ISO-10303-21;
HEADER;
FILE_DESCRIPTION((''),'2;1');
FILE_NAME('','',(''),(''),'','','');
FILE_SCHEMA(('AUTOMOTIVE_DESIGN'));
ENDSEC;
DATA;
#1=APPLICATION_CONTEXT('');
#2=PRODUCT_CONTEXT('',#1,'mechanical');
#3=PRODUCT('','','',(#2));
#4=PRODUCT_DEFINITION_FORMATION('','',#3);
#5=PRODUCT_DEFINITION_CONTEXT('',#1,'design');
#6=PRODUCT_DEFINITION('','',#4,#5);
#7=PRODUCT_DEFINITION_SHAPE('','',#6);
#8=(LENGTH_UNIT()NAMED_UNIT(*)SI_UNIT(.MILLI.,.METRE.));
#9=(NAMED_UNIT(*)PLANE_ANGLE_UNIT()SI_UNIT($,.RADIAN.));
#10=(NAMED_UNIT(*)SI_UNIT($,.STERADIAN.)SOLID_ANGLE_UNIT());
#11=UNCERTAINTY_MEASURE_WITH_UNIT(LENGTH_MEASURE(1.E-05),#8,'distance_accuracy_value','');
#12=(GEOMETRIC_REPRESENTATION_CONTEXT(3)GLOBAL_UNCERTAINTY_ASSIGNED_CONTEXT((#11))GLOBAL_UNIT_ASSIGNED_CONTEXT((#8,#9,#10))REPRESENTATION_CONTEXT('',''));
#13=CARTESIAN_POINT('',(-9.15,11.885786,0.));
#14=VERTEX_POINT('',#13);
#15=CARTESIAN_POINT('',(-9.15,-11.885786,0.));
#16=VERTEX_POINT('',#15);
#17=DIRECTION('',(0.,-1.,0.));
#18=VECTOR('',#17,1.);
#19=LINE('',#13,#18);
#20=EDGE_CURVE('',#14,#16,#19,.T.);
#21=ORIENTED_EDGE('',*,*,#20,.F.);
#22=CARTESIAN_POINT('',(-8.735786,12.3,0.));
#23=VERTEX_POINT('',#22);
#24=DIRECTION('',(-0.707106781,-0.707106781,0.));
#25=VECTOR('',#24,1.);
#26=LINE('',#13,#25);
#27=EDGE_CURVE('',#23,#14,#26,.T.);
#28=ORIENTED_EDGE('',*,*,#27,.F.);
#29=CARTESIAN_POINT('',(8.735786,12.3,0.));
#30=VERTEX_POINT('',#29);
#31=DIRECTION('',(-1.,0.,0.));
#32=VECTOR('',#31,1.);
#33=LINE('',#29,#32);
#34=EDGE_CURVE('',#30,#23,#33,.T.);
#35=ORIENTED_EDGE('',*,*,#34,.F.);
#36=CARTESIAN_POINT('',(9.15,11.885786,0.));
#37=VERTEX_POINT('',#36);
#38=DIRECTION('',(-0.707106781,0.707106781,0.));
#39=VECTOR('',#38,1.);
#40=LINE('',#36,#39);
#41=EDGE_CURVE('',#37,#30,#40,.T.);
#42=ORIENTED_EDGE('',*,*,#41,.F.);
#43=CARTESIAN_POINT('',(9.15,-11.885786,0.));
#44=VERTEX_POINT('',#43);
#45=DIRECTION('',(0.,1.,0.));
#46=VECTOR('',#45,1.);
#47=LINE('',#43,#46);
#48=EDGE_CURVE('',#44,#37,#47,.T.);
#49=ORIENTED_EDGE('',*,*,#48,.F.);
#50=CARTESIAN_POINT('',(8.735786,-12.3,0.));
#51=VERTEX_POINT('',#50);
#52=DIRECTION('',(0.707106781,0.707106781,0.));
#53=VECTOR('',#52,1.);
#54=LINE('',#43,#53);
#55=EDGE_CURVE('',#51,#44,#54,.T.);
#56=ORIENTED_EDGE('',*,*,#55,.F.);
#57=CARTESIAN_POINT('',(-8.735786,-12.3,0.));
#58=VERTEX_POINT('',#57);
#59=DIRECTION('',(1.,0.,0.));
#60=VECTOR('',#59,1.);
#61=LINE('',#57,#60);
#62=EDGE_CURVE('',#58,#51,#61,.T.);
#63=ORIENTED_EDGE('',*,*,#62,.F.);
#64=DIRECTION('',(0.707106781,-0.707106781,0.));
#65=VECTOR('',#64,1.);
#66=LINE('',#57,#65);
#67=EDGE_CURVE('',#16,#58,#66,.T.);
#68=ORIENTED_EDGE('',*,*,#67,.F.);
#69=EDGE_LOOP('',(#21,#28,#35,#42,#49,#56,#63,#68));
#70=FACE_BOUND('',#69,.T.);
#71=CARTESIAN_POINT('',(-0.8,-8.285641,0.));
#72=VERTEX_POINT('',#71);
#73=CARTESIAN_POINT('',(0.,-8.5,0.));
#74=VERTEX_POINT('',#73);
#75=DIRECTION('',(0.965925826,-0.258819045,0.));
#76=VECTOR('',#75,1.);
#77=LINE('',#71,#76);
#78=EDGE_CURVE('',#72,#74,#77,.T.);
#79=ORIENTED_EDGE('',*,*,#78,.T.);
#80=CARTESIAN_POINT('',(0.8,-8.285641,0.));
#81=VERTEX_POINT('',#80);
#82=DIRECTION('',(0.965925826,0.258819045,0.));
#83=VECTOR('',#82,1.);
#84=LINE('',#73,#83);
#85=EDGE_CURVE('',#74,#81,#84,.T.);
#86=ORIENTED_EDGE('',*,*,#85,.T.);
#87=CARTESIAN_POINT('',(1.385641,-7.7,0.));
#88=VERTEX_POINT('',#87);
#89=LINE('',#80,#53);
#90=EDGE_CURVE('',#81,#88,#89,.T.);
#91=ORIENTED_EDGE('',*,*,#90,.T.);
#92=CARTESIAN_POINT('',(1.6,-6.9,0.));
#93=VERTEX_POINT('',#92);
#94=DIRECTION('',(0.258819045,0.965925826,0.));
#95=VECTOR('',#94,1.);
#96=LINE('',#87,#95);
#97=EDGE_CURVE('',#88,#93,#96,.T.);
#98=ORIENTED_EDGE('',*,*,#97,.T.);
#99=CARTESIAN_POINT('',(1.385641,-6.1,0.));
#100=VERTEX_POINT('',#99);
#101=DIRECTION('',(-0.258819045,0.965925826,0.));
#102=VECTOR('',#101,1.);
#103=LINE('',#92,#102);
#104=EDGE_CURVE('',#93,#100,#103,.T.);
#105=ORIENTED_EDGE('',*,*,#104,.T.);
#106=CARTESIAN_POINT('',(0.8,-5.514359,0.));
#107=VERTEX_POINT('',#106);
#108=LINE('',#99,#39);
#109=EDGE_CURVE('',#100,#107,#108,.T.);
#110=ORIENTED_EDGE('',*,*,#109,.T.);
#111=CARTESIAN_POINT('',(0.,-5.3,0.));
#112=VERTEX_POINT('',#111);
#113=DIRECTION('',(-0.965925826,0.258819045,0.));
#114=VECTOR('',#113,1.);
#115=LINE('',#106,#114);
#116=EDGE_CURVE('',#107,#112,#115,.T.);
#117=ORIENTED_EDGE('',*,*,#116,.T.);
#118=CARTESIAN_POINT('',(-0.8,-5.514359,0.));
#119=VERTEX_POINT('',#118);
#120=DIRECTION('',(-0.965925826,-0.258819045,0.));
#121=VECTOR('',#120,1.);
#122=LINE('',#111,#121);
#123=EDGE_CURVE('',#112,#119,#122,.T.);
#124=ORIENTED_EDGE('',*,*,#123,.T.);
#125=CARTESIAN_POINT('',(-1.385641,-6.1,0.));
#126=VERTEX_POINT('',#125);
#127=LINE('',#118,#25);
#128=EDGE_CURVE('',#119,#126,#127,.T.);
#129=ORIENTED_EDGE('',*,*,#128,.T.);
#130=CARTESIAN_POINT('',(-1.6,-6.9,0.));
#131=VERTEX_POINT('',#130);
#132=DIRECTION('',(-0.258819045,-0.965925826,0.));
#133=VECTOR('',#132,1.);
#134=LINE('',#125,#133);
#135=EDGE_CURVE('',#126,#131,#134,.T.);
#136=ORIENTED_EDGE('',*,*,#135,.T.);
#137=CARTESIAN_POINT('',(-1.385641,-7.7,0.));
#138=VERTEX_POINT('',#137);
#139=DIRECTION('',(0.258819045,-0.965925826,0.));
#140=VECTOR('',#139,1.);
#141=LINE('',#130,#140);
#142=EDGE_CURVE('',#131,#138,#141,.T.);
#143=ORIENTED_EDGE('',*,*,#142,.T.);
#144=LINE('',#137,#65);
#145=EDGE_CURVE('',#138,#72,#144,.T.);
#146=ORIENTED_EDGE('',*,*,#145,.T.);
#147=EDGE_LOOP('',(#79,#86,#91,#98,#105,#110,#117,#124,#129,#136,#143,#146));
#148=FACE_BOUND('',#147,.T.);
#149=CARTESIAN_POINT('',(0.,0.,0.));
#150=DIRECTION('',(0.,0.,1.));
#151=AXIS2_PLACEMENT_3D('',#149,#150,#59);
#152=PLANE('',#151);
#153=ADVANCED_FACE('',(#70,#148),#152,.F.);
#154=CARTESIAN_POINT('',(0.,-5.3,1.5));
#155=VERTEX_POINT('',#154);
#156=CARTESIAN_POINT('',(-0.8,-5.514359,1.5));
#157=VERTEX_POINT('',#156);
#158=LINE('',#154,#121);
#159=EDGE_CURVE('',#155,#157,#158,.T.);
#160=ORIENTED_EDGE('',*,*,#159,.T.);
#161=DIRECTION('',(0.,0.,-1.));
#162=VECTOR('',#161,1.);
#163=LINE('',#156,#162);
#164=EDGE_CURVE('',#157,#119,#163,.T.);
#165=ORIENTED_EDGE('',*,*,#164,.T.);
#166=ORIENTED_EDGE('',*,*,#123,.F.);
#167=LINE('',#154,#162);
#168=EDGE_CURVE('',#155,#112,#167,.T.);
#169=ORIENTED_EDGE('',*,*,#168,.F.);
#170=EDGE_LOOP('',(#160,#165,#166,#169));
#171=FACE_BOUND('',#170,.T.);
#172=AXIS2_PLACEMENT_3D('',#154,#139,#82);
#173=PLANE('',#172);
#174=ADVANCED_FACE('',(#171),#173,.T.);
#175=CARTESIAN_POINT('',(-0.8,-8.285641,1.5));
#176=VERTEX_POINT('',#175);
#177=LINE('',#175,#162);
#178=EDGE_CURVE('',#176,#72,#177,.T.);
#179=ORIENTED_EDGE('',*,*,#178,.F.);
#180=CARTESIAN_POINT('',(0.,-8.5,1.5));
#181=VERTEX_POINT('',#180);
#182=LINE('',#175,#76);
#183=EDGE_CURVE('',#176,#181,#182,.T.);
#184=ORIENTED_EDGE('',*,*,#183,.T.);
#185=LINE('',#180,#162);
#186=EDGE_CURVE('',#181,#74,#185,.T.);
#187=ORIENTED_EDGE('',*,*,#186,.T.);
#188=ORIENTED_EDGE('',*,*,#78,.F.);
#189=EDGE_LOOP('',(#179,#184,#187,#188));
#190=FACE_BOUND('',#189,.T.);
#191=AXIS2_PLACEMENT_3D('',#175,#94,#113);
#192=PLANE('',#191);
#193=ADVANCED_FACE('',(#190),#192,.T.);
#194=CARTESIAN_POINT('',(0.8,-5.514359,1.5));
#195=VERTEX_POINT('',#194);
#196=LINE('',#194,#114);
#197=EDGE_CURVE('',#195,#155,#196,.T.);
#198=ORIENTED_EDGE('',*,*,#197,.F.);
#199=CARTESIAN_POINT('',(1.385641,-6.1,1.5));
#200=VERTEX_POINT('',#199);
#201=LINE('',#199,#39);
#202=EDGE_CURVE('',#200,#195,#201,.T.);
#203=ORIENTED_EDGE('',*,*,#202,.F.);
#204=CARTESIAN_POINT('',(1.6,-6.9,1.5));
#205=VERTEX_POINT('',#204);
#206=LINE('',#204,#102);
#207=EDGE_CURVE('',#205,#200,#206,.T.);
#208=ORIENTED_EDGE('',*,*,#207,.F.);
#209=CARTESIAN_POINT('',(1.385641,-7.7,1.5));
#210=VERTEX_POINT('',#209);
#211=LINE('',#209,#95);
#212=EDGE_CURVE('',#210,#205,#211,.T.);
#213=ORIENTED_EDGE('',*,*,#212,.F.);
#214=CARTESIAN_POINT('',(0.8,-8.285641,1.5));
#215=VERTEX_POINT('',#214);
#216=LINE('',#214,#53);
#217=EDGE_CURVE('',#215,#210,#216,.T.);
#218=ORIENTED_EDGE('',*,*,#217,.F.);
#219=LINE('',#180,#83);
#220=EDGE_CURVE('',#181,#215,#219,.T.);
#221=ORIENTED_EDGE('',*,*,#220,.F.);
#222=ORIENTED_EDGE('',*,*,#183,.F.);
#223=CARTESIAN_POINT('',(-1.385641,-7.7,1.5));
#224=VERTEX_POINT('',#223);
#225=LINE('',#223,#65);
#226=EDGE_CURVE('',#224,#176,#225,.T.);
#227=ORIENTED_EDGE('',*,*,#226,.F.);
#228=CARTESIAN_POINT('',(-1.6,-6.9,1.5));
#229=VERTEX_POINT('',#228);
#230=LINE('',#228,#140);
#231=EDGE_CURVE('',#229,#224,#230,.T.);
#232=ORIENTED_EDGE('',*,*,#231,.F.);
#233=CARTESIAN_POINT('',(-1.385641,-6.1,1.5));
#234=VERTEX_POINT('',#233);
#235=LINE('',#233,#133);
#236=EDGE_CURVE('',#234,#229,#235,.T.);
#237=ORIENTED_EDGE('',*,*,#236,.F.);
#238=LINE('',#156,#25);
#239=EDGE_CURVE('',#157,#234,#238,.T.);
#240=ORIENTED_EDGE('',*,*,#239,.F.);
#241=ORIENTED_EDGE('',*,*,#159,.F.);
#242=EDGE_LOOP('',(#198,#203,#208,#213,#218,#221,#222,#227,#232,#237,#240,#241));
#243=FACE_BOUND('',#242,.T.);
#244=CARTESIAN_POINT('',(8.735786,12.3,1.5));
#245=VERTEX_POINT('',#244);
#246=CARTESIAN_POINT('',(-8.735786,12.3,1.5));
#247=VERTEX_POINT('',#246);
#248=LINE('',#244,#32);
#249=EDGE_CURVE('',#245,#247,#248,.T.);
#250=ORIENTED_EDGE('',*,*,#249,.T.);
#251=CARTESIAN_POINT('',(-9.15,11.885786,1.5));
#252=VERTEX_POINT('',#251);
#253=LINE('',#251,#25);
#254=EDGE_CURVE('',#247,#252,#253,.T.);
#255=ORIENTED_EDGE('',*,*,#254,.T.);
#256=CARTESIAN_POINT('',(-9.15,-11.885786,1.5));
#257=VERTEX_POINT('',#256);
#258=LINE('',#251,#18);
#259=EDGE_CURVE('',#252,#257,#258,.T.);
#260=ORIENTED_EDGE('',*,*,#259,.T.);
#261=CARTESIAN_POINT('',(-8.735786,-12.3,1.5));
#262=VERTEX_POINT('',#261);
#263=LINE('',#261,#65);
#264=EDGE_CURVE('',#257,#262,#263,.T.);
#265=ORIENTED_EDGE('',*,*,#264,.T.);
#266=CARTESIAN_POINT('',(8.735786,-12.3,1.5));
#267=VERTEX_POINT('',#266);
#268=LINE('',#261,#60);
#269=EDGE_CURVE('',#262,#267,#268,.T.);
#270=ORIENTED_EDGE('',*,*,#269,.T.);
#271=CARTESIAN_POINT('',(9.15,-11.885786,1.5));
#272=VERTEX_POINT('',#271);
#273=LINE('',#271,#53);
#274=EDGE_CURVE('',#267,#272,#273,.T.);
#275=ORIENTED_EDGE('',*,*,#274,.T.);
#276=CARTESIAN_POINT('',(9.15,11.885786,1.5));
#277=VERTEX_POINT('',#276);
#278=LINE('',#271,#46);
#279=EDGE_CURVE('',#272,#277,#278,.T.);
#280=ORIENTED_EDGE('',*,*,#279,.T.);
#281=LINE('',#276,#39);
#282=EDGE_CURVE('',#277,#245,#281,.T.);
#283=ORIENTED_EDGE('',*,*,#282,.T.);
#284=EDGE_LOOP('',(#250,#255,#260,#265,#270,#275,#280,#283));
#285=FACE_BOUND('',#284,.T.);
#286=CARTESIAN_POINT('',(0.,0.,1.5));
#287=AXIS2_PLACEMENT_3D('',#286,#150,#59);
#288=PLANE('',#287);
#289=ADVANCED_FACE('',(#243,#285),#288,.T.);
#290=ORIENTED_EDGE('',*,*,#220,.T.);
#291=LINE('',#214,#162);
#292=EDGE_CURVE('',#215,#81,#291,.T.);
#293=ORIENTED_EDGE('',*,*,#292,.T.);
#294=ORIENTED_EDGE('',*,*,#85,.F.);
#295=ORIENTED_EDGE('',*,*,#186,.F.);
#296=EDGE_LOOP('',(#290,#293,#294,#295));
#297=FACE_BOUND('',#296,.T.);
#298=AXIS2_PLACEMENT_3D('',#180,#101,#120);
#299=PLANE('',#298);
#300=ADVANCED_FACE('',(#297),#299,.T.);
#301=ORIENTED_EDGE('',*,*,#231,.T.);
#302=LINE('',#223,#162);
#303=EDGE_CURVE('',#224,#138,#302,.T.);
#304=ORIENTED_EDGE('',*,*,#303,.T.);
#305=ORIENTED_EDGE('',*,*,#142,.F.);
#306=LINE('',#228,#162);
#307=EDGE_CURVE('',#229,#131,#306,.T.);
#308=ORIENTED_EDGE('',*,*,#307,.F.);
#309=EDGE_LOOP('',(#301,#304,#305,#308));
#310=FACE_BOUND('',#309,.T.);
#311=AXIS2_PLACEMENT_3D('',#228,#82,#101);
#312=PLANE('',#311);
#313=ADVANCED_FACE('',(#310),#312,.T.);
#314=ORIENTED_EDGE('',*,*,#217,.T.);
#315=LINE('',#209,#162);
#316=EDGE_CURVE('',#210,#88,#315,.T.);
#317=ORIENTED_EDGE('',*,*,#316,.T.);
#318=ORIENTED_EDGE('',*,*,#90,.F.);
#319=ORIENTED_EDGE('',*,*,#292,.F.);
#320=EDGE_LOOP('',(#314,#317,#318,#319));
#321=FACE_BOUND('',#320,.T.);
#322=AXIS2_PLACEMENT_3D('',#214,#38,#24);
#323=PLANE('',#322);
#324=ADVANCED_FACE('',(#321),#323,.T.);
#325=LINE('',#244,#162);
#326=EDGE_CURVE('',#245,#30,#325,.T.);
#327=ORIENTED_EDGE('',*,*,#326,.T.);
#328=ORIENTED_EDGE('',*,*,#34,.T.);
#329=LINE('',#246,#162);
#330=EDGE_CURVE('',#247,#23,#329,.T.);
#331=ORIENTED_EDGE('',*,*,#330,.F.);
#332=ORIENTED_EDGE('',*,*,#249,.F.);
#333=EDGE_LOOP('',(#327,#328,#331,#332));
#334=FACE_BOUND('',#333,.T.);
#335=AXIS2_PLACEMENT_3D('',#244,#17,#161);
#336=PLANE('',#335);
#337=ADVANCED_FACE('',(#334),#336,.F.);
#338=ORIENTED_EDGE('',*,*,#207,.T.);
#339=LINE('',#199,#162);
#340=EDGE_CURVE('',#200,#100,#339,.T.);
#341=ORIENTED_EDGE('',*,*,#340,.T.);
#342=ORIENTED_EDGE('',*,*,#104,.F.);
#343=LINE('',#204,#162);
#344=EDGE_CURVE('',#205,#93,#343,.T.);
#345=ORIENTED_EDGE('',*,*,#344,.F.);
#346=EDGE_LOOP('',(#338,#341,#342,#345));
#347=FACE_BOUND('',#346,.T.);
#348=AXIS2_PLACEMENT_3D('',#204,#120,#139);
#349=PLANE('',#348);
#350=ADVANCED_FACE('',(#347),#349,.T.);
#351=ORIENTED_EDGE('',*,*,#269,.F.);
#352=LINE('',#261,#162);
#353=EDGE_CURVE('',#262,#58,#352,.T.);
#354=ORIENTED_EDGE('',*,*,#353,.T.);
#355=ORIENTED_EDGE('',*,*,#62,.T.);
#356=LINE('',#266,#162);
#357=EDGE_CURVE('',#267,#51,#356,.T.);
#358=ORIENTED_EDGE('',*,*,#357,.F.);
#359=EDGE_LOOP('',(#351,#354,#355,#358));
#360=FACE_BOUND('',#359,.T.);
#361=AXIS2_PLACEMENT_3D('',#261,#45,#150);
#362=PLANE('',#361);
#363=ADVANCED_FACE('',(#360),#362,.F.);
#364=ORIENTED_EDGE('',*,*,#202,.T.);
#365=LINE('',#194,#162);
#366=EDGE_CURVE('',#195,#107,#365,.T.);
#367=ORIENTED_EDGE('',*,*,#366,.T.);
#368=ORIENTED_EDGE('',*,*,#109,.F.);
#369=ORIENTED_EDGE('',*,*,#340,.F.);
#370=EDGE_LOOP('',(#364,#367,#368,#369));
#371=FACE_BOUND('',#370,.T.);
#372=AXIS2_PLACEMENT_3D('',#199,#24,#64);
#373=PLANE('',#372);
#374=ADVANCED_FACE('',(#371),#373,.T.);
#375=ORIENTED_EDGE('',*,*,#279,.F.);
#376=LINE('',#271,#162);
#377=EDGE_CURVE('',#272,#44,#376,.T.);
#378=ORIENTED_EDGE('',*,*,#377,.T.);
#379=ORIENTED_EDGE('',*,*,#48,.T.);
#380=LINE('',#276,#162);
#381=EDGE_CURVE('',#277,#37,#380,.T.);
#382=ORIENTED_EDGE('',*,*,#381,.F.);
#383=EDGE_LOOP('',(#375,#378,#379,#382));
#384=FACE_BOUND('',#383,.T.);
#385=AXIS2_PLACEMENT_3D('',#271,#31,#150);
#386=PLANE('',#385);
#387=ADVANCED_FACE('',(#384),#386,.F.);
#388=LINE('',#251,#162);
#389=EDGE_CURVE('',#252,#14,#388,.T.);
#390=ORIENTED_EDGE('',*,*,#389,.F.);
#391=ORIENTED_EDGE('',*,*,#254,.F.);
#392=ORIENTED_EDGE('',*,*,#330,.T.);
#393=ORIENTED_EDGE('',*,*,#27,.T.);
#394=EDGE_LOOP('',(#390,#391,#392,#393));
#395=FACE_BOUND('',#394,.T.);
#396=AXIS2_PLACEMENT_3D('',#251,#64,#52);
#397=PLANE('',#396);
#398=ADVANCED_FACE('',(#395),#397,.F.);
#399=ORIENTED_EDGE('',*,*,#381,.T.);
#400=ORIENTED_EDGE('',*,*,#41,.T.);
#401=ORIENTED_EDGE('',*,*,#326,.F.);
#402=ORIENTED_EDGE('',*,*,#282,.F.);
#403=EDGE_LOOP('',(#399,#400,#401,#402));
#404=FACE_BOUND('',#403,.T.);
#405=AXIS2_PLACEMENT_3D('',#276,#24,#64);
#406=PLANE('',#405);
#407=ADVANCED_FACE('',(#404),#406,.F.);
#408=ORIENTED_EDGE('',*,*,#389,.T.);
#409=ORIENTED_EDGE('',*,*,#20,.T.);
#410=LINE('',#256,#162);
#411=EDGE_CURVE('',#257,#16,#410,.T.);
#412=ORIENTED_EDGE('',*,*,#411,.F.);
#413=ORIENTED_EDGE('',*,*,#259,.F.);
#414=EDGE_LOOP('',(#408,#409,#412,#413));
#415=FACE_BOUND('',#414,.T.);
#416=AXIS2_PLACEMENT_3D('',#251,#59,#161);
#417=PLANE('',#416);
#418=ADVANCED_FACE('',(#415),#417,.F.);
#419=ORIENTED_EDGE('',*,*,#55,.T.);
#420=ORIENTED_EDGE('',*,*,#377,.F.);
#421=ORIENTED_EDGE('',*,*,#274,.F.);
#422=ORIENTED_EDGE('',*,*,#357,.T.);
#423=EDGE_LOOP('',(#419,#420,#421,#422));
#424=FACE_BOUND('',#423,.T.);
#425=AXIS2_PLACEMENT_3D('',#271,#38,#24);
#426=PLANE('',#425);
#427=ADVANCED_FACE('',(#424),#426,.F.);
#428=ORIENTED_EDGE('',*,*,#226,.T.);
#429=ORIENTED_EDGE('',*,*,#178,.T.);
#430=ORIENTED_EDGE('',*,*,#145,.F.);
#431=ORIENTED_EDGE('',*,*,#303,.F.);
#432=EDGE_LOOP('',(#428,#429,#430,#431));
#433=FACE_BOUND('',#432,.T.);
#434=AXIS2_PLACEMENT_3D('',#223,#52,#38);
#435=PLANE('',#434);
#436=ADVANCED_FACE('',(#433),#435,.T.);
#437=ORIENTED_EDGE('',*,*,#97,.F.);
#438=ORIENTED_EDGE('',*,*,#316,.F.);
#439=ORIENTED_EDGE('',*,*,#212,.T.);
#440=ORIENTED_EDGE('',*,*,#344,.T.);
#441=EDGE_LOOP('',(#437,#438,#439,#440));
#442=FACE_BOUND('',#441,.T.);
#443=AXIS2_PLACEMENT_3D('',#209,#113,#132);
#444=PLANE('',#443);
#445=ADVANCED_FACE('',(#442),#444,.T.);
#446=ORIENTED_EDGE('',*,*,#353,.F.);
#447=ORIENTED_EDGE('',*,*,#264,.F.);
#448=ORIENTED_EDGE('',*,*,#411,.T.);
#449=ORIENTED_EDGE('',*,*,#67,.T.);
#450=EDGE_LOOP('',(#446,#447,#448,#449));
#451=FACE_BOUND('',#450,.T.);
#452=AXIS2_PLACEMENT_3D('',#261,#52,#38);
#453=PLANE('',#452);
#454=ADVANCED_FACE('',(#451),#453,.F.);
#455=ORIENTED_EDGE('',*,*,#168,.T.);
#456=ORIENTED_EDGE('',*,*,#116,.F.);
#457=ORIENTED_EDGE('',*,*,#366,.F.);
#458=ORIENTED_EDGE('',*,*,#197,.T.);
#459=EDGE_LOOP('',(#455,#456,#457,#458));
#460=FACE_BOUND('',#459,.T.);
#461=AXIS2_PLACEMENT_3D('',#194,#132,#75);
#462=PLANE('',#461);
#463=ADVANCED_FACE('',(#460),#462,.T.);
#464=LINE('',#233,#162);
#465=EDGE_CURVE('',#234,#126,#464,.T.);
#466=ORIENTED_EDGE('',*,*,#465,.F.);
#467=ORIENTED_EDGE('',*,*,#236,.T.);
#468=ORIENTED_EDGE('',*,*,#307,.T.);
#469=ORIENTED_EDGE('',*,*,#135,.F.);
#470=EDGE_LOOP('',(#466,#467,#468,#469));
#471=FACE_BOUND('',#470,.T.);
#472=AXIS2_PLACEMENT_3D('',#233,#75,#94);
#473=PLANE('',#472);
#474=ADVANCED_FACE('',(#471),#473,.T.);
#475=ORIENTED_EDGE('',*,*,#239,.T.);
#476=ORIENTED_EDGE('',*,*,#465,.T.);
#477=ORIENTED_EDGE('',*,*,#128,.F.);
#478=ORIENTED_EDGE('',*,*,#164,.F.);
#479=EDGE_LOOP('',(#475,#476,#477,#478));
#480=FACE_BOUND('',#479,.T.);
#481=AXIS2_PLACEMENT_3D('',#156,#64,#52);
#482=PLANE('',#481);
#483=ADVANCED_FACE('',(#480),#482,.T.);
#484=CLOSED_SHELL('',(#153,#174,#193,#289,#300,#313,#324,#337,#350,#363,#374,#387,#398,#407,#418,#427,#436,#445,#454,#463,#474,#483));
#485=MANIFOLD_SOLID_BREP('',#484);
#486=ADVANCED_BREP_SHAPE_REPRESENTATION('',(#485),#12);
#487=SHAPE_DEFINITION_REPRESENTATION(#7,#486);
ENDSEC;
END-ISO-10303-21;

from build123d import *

# Parameters (mm, degrees)
EXTRUDE_3_DEPTH = 1.5


with BuildPart() as part:
    # Эскиз2 → Бобышка-Вытянуть3 (new body)
    with BuildSketch(Plane(origin=(0, 0, 0), x_dir=(-1, 0, 0), z_dir=(0, 0, 1))):
        Polygon((9.15, -11.885786438), (9.15, 11.885786438), (8.735786438, 12.3), (-8.735786438, 12.3), (-9.15, 11.885786438), (-9.15, -11.885786438), (-8.735786438, -12.3), (8.735786438, -12.3), align=None)
        Polygon((0, 8.5), (-0.8, 8.285640646), (-1.385640646, 7.7), (-1.6, 6.9), (-1.385640646, 6.1), (-0.8, 5.514359354), (0, 5.3), (0.8, 5.514359354), (1.385640646, 6.1), (1.6, 6.9), (1.385640646, 7.7), (0.8, 8.285640646), align=None, mode=Mode.SUBTRACT)
    extrude(amount=EXTRUDE_3_DEPTH)


solid = part.part
